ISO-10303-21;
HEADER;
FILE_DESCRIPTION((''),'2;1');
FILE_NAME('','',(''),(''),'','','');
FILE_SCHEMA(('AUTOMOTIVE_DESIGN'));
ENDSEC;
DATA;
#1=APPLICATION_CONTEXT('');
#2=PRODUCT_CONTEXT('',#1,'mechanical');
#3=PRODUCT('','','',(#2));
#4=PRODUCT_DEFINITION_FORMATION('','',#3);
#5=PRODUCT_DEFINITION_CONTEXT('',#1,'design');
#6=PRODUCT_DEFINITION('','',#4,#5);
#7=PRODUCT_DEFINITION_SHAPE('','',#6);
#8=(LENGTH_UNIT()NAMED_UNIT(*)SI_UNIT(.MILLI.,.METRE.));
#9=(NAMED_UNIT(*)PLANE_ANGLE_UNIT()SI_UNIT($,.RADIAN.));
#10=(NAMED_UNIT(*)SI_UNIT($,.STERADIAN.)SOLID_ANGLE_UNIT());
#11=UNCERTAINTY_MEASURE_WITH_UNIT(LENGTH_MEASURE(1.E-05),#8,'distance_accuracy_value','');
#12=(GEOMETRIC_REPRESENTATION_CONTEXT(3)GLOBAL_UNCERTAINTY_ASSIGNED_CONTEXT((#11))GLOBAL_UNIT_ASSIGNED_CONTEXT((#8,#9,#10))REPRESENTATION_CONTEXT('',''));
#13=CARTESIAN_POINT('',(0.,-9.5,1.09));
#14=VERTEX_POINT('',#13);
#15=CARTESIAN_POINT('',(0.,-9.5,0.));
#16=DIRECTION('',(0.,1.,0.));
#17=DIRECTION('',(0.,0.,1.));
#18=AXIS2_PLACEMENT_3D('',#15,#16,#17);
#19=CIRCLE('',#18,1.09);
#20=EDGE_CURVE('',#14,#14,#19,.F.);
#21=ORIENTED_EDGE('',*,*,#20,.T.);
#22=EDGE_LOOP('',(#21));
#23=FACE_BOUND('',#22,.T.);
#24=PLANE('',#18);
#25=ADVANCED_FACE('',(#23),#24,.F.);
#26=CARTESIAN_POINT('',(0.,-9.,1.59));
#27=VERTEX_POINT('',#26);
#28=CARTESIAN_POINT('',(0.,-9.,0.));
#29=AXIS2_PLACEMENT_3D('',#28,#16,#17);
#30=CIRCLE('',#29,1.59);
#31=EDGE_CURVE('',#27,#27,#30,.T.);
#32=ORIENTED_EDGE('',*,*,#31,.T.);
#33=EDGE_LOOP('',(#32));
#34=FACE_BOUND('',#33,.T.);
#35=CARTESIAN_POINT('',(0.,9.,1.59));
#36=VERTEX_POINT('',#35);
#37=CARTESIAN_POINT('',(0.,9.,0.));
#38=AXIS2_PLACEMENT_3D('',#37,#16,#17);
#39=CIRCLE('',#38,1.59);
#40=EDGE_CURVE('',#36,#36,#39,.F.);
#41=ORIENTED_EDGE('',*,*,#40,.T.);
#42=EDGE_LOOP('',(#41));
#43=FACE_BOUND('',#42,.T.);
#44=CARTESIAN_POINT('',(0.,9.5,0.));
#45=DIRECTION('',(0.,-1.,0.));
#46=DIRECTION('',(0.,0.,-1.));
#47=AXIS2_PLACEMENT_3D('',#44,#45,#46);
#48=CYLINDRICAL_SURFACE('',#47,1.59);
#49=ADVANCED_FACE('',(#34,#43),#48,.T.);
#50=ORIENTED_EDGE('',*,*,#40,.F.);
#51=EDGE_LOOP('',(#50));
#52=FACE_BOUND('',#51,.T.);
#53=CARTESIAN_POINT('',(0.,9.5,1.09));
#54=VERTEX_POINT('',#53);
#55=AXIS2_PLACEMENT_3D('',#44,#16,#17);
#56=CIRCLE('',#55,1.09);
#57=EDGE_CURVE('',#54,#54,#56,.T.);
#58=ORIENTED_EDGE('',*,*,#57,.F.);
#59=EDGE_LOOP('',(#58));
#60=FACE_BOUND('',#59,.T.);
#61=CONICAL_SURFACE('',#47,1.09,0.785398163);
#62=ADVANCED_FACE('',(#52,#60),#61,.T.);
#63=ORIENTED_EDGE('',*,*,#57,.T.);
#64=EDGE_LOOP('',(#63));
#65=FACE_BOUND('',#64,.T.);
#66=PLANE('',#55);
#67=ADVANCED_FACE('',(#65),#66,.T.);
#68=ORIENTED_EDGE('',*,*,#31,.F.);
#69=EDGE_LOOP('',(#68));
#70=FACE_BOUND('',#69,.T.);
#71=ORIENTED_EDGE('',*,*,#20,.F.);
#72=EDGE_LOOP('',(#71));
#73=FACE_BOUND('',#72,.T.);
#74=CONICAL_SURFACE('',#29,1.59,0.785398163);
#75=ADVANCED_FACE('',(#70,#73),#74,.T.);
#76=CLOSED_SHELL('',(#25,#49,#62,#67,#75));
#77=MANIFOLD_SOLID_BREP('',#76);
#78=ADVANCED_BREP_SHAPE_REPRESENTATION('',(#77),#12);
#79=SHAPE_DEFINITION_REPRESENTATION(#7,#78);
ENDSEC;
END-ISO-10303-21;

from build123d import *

# Parameters (mm, degrees)
SKETCH1_R           = 1.59
BOSS_EXTRUDE1_DEPTH = 9.5
CHAMFER1_SIZE       = 0.5


with BuildPart() as part:
    # Sketch1 → Boss-Extrude1 (new body, symmetric)
    with BuildSketch(Plane(origin=(0, 0, 0), x_dir=(1, 0, 0), z_dir=(0, 1, 0))):
        Circle(SKETCH1_R)
    extrude(amount=BOSS_EXTRUDE1_DEPTH, both=True)

    # Chamfer1
    chamfer1_edges = [part.edges().sort_by_distance(p)[0] for p in [
        (-1.59, -9.5, 0),
        (-1.59, 9.5, 0),
    ]]
    chamfer(chamfer1_edges, length=CHAMFER1_SIZE)


solid = part.part
